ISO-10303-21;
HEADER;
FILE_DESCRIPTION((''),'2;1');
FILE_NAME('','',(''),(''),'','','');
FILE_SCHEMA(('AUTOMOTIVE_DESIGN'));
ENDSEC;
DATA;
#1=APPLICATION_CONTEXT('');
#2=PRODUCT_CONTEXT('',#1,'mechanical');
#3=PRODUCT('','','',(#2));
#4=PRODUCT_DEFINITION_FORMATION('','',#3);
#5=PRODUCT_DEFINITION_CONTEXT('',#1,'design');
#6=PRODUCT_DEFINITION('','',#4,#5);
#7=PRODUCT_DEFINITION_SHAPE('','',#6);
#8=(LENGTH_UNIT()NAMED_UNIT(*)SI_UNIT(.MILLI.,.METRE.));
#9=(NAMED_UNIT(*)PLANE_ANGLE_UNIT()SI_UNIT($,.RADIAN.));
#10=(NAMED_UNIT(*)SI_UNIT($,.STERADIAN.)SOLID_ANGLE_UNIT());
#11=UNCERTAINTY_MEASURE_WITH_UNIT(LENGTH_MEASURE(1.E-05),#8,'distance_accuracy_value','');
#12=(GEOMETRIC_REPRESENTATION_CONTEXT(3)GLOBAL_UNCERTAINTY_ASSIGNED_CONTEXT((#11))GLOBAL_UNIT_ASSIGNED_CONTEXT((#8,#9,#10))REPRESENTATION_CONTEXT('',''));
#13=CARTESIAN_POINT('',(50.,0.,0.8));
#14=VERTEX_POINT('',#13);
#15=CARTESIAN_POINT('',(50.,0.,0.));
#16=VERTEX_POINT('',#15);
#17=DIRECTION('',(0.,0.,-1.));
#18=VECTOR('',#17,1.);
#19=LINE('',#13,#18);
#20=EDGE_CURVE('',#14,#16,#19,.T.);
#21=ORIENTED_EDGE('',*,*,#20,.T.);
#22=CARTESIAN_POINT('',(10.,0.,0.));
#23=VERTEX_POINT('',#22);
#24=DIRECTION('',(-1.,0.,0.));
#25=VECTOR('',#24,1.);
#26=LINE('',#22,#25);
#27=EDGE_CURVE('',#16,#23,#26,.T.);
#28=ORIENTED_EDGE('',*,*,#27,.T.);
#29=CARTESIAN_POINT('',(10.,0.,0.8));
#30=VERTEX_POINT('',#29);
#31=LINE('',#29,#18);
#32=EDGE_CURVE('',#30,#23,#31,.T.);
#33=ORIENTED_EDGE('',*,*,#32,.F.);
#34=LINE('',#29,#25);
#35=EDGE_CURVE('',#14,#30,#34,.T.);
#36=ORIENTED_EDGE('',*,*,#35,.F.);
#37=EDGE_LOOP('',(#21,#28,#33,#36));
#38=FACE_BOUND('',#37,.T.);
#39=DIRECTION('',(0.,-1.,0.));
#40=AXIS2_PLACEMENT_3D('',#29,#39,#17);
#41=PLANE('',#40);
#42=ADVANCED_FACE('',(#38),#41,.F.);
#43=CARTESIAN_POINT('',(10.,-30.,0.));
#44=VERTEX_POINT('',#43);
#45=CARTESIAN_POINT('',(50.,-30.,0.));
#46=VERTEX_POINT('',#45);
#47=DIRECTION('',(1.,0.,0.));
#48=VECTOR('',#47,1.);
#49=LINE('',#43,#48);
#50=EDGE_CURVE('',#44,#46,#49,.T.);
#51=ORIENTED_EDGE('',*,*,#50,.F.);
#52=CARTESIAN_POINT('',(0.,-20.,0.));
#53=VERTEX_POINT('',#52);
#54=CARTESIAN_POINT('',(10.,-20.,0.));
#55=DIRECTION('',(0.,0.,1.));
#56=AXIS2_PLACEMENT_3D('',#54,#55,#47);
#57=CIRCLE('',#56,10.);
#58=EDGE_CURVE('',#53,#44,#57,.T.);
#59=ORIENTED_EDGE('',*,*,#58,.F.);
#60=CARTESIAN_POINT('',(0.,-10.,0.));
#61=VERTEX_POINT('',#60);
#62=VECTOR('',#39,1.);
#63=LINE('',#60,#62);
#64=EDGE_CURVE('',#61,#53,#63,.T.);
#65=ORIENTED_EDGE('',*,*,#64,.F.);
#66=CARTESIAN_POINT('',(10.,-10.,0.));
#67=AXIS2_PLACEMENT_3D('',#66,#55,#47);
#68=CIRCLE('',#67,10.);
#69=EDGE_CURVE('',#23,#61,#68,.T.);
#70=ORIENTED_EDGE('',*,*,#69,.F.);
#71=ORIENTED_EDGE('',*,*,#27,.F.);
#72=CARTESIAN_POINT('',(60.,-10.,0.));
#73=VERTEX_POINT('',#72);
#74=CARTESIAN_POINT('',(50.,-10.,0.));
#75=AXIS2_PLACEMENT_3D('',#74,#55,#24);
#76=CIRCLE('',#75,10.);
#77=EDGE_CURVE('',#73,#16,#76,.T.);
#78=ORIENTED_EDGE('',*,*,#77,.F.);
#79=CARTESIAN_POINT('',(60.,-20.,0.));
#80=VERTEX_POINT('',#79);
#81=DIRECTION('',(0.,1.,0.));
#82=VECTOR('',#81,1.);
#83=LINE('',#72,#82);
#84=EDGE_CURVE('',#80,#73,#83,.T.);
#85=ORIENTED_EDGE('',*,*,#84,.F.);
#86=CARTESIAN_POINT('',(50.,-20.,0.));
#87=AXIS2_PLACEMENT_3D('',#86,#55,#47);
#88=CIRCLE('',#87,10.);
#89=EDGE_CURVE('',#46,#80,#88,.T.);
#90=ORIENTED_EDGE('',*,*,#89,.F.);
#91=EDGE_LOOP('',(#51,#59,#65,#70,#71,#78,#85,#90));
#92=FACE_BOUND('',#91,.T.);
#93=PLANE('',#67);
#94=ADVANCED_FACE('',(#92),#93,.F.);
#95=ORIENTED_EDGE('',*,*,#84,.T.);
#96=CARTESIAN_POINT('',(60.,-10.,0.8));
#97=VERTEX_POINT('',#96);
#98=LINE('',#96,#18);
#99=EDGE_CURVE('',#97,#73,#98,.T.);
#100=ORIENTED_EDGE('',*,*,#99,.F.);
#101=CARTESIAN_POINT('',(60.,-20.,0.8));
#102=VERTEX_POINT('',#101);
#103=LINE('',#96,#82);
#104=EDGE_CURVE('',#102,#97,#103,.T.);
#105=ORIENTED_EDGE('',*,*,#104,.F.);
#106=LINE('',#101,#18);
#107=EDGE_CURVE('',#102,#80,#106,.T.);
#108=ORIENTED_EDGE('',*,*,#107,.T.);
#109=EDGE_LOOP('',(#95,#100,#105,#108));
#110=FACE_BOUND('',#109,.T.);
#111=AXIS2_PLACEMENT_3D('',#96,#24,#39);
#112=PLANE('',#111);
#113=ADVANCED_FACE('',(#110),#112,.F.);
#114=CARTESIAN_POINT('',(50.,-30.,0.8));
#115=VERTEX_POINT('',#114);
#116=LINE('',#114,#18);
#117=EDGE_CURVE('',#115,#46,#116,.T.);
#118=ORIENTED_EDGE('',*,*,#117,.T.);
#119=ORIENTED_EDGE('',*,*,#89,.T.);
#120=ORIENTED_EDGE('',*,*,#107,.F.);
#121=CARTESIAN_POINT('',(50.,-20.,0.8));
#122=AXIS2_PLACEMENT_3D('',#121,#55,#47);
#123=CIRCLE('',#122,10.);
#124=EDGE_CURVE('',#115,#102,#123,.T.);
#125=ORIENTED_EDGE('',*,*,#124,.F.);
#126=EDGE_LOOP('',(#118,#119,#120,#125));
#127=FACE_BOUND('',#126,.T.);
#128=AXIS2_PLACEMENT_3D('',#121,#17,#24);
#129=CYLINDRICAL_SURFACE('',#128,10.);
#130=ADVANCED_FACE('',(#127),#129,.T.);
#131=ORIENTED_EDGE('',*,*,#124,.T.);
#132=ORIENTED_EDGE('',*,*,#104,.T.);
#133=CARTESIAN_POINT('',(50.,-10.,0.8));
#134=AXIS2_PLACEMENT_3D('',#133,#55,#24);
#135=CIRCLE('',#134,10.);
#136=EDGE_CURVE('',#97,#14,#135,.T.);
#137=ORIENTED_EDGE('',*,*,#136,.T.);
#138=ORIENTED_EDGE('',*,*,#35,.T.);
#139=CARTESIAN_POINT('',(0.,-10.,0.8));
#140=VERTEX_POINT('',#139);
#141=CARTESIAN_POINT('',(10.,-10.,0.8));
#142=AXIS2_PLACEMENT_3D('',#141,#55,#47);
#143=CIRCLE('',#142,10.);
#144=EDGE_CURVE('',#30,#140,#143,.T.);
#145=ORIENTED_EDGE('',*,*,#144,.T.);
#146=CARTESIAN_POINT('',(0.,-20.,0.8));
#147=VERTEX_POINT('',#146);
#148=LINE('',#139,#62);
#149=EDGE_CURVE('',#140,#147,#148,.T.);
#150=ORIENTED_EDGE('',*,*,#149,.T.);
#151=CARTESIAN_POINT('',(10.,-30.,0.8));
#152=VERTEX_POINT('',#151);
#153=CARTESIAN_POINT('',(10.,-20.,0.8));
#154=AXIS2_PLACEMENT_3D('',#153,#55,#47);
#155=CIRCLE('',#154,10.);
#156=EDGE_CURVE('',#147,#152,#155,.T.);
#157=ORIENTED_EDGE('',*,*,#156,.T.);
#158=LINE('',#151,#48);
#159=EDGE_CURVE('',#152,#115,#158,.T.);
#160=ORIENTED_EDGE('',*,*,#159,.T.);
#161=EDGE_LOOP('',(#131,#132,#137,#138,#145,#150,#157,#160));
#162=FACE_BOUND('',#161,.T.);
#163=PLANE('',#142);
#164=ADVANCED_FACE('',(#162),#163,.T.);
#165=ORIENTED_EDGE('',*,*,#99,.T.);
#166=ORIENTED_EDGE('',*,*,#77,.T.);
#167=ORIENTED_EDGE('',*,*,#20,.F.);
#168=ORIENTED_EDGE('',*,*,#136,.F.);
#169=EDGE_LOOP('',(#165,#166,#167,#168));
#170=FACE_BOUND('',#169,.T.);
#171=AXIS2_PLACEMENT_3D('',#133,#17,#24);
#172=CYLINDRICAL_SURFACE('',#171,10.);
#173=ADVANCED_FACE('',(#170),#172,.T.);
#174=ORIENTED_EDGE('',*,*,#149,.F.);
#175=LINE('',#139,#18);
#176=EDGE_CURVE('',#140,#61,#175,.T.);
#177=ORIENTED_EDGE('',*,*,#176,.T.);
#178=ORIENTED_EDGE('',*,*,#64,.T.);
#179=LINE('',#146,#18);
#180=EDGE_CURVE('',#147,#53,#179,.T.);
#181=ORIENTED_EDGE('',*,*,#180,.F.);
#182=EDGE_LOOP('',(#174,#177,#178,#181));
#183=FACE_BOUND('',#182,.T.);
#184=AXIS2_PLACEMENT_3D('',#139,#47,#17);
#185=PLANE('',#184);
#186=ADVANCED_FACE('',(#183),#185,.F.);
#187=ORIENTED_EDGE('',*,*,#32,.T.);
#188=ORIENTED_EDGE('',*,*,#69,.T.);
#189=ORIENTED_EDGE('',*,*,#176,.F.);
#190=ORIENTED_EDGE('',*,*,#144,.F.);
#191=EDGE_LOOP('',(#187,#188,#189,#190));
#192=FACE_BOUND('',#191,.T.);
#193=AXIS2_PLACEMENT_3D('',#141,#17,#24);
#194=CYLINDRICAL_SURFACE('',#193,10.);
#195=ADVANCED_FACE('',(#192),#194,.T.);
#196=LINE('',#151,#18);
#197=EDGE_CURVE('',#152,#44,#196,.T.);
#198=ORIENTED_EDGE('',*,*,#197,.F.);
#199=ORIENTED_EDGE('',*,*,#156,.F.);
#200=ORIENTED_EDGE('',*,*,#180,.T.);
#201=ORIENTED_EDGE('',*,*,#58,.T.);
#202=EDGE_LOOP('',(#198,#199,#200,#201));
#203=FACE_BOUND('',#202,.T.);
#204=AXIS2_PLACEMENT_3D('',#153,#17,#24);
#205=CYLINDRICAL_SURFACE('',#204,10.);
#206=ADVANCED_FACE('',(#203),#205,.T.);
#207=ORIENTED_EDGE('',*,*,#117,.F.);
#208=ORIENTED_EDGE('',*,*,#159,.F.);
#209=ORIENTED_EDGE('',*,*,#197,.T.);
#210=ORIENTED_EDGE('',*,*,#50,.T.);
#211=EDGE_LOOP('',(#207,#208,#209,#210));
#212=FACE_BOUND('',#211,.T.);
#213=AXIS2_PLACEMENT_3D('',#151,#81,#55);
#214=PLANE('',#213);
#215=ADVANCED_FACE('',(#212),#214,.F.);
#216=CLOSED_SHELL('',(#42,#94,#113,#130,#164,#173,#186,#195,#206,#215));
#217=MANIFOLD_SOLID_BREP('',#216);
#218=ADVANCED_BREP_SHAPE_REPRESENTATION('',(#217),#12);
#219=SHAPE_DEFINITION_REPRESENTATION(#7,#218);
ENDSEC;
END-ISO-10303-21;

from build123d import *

# Parameters (mm, degrees)
AUFSATZ_LINEAR_AUSTRAGEN1_DEPTH = 0.8


with BuildPart() as part:
    # Skizze1 → Aufsatz-Linear austragen1 (new body)
    with BuildSketch(Plane.XY):
        with BuildLine():
            Line((10, 0), (50, 0))
            ThreePointArc((50, 0), (57.071067812, -2.928932188), (60, -10))
            Line((60, -10), (60, -20))
            ThreePointArc((60, -20), (57.071067812, -27.071067812), (50, -30))
            Line((50, -30), (10, -30))
            ThreePointArc((10, -30), (2.928932188, -27.071067812), (0, -20))
            Line((0, -20), (0, -10))
            ThreePointArc((0, -10), (2.928932188, -2.928932188), (10, 0))
        make_face()
    extrude(amount=AUFSATZ_LINEAR_AUSTRAGEN1_DEPTH)


solid = part.part
